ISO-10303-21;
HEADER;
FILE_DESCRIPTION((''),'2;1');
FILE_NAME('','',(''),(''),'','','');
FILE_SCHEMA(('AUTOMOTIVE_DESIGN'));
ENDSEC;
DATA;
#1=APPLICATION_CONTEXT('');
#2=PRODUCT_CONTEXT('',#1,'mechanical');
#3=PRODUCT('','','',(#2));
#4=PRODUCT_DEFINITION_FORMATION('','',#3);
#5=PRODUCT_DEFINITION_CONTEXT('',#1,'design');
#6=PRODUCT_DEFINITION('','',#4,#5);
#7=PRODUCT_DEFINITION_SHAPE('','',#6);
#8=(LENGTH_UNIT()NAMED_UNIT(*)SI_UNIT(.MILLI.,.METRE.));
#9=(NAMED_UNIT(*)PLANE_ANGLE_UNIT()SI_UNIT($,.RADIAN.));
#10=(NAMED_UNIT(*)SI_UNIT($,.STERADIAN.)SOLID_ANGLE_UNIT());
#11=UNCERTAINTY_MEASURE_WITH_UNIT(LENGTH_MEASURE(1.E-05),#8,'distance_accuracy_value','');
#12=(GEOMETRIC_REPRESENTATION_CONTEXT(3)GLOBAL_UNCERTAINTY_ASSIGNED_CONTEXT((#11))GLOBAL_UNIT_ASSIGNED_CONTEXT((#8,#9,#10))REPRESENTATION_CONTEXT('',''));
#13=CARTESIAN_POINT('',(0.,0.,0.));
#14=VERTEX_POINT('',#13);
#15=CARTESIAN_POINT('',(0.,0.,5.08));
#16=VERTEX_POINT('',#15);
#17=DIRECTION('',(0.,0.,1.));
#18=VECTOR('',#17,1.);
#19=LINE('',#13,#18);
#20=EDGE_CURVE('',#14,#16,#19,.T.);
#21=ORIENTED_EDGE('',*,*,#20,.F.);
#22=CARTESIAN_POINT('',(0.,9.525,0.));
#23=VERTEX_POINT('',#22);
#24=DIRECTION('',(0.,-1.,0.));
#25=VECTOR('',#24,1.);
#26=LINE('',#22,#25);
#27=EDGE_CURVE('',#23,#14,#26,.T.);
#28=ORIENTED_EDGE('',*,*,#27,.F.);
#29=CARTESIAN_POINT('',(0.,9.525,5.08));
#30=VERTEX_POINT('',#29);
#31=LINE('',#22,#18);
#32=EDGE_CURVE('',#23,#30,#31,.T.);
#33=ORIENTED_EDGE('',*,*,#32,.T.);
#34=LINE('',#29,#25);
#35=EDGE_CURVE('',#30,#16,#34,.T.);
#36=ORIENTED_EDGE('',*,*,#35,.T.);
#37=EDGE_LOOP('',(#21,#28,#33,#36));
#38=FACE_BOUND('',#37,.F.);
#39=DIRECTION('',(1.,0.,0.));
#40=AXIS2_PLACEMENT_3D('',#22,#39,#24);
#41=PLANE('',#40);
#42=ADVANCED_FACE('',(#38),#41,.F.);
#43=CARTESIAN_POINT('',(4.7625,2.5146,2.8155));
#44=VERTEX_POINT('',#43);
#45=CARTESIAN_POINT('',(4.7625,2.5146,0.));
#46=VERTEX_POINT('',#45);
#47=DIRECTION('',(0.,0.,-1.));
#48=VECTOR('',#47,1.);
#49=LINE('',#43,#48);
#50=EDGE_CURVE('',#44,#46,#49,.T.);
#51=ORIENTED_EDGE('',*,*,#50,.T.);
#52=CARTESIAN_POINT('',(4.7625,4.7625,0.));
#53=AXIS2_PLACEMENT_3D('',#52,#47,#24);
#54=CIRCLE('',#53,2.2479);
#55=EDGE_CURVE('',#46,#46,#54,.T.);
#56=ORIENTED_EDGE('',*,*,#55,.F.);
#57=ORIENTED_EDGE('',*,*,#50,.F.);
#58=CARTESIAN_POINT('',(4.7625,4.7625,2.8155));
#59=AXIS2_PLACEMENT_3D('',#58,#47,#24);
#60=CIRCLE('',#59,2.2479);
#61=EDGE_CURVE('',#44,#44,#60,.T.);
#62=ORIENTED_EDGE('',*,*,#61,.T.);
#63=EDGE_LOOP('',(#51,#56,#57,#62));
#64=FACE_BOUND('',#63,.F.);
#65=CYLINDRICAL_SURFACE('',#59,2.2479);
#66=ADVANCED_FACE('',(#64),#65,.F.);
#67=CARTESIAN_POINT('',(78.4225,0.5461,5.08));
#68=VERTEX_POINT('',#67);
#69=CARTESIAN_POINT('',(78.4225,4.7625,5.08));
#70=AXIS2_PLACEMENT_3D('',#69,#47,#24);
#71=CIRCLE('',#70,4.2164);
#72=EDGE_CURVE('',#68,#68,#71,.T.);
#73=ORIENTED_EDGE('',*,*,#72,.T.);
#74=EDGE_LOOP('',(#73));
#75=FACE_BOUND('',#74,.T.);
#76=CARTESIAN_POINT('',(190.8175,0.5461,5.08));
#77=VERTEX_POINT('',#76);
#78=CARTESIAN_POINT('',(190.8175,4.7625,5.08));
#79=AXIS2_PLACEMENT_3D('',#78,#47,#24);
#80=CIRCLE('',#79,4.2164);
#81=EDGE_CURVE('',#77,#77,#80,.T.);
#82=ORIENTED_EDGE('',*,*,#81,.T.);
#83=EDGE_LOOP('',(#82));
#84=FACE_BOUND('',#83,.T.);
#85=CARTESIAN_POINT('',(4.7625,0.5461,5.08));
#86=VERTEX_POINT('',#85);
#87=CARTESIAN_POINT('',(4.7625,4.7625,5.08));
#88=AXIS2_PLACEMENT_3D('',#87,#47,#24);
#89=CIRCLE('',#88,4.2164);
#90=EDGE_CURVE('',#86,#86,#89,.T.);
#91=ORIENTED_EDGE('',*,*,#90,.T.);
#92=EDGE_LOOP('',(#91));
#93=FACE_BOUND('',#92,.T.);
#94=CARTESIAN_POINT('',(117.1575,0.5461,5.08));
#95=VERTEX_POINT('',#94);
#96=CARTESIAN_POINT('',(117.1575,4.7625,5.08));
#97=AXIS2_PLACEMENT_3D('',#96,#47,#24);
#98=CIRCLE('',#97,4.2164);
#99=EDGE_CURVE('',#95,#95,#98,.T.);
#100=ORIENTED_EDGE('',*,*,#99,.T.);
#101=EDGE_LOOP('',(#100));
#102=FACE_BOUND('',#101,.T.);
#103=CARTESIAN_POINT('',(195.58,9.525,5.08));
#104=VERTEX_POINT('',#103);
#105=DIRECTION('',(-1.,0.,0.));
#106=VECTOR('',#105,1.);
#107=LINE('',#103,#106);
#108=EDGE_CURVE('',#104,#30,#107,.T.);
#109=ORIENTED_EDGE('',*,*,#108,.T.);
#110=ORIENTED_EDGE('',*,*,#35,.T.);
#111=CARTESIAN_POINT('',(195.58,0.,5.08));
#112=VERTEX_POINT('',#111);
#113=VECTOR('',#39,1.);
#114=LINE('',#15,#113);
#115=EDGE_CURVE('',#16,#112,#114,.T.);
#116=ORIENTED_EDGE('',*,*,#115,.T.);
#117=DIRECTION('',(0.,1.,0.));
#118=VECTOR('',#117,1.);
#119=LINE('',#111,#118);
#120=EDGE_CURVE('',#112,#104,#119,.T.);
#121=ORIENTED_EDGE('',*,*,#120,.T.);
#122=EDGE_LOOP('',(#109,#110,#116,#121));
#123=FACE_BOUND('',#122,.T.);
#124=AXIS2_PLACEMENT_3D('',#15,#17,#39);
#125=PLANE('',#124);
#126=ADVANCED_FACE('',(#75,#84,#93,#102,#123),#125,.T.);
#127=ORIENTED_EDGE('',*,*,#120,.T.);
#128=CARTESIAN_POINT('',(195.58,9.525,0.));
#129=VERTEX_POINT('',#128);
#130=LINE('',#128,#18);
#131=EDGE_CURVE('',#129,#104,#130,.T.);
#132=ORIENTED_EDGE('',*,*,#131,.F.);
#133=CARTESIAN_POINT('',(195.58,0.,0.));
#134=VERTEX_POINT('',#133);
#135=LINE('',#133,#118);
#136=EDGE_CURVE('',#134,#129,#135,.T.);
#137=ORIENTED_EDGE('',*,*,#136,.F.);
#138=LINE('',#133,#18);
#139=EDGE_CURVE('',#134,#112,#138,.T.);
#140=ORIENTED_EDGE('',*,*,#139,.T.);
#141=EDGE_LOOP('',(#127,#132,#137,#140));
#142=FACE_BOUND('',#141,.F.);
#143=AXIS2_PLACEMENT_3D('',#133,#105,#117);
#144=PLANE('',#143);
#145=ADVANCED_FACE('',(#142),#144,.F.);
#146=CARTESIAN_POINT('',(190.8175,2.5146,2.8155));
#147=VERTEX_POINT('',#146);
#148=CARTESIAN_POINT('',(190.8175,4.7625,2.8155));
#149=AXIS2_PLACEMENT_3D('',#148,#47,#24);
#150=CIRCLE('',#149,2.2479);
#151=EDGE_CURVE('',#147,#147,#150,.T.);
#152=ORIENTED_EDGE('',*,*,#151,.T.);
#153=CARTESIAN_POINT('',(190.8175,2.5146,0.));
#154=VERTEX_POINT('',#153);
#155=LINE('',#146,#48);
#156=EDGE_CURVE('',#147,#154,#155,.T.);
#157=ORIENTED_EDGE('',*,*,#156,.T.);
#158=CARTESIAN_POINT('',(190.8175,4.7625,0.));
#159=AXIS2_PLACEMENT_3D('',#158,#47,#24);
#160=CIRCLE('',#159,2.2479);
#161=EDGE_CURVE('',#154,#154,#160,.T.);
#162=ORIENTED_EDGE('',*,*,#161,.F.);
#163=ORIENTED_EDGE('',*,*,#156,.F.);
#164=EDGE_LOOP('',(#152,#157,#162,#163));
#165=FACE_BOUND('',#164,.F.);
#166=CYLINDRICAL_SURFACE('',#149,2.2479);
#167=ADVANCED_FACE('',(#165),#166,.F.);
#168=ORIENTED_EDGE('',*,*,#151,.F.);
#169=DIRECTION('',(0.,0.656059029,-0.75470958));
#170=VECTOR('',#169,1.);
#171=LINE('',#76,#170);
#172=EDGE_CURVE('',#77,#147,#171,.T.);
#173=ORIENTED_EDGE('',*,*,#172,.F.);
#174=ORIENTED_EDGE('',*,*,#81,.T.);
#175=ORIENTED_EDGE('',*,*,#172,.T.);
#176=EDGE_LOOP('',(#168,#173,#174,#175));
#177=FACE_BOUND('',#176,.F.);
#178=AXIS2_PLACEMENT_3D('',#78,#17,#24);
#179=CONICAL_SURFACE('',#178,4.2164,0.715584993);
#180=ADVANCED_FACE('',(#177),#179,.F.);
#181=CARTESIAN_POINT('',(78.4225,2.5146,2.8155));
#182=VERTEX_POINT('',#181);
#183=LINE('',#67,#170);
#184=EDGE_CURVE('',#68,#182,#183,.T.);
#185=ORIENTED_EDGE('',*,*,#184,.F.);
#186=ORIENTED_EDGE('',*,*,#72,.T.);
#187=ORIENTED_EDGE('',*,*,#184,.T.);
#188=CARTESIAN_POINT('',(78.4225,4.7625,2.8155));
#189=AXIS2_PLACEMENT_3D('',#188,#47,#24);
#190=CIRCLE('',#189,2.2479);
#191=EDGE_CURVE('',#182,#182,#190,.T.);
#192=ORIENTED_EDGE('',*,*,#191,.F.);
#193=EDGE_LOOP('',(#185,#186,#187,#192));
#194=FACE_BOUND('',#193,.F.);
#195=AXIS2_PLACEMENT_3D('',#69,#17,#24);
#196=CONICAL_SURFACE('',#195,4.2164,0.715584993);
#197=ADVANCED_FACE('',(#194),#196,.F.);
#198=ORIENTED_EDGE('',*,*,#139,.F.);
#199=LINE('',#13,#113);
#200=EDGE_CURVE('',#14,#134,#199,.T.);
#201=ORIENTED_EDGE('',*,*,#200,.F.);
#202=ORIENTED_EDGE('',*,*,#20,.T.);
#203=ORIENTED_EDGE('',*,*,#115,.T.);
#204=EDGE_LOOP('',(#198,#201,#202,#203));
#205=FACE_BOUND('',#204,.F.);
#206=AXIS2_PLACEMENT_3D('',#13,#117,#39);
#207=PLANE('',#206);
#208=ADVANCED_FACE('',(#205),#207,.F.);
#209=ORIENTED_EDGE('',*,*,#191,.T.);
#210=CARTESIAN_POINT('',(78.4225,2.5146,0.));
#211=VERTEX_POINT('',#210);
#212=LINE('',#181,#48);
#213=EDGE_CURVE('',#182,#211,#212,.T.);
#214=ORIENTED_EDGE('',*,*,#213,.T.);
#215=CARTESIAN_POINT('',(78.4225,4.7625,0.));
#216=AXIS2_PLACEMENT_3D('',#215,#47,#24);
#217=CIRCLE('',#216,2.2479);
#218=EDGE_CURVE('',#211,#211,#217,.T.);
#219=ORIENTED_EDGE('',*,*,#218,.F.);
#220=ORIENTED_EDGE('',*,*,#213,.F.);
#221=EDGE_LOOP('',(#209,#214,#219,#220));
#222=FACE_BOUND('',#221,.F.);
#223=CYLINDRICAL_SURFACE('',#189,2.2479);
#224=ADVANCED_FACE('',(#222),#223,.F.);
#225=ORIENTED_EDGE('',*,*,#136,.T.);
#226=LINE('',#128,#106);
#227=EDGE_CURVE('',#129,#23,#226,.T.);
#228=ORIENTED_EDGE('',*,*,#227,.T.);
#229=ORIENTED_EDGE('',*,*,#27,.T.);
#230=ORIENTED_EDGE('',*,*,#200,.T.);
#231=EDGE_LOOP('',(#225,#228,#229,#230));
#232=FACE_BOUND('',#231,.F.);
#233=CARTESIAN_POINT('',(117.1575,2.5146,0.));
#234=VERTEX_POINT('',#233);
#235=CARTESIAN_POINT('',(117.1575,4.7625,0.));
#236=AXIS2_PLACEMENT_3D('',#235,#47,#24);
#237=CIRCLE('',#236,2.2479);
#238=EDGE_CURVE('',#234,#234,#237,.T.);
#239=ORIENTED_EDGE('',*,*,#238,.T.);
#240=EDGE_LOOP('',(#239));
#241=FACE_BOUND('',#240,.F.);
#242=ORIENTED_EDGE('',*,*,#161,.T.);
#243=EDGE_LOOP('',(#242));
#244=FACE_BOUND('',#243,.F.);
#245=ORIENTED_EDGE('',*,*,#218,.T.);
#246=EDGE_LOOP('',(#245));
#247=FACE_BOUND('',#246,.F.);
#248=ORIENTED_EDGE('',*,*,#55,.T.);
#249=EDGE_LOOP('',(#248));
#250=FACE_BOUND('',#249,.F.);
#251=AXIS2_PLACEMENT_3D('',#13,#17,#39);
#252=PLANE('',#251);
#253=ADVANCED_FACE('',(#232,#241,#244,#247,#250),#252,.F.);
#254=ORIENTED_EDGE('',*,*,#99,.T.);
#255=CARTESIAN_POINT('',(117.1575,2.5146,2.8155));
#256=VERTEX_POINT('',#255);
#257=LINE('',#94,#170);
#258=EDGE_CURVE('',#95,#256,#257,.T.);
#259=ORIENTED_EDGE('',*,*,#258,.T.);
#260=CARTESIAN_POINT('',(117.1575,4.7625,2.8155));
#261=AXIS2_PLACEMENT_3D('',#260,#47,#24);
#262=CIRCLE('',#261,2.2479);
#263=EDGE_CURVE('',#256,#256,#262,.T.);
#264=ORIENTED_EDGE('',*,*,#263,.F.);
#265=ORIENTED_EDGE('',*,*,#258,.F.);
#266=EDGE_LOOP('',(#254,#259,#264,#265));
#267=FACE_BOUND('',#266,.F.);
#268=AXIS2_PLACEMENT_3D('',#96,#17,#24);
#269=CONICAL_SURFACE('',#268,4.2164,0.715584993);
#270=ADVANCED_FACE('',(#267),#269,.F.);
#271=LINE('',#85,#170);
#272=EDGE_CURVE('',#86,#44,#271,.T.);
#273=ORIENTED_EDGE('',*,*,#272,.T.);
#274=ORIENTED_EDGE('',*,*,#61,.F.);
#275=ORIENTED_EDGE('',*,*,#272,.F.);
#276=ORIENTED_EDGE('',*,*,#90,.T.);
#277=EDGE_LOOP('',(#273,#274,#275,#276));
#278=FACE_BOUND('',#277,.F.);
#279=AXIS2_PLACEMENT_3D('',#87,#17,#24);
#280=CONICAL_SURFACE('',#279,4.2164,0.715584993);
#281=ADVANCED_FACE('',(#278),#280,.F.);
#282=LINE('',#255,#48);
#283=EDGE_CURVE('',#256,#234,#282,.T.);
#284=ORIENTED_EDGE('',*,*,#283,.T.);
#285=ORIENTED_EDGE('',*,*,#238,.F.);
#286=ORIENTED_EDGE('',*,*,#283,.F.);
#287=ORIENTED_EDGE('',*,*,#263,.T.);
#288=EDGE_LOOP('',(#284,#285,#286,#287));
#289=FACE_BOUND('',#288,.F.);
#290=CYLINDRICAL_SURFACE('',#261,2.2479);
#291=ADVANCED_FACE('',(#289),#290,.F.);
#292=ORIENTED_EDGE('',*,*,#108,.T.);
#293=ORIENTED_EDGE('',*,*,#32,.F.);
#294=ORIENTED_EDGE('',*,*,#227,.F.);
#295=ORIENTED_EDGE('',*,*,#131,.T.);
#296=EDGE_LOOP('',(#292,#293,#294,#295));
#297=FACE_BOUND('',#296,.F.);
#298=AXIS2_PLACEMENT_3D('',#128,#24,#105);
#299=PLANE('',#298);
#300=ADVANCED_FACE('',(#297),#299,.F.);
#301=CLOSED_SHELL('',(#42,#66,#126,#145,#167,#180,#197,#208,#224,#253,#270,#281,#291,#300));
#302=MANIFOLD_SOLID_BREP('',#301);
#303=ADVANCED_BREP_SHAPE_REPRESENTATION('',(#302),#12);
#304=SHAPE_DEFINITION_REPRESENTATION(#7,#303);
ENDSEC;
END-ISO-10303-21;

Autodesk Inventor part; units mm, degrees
ref_plane "YZ Plane" through (0, 0, 0) normal (1, 0, 0) x (0, 1, 0)
ref_plane "XZ Plane" through (0, 0, 0) normal (0, 1, 0) x (-1, 0, 0)
ref_plane "XY Plane" through (0, 0, 0) normal (0, 0, 1) x (1, 0, 0)
sketch "Sketch1" plane through (0, 0, 0) normal (0, 0, 1) x (1, 0, 0)
  line L0 (0, 0) -> (195.58, 0)
  line L1 (195.58, 0) -> (195.58, 9.525)
  line L2 (195.58, 9.525) -> (0, 9.525)
  line L3 (0, 9.525) -> (0, 0)
  dimension "d0" = 195.58
  dimension "d1" = 9.525
extrude "Extrusion1" add sketch "Sketch1" along normal blind 5.08
sketch "Sketch2" plane through (0, 0, 5.08) normal (0, 0, 1) x (1, 0, 0)
  line L0 (195.58, 0) -> (0, 0) projected
  line L1 (0, 9.525) -> (195.58, 9.525) projected
  line L2 (0, 36.0407) -> (9.525, 36.0407) projected
  line L3 (0, -27.6521) -> (0, 36.0407) projected
  line L4 (9.525, -27.6521) -> (0, -27.6521) projected
  line L5 (9.525, 36.0407) -> (9.525, -27.6521) projected
  line L6 (195.58, -24.7204) -> (195.58, 5.4842) projected
  line L7 (195.58, -24.7204) -> (186.055, -24.7204) projected
  line L8 (186.055, 5.4842) -> (186.055, -24.7204) projected
  line L9 (186.055, 5.4842) -> (195.58, 5.4842) projected
  line L10 (83.185, 2.2202) -> (73.66, 2.2202) projected
  line L11 (73.66, 2.2202) -> (73.66, -16.2449) projected
  line L12 (83.185, -16.2449) -> (73.66, -16.2449) projected
  line L13 (83.185, -16.2449) -> (83.185, 2.2202) projected
  line L14 (112.395, 2.2202) -> (121.92, 2.2202) projected
  line L15 (112.395, -16.2449) -> (112.395, 2.2202) projected
  line L16 (112.395, -16.2449) -> (121.92, -16.2449) projected
  line L17 (121.92, 2.2202) -> (121.92, -16.2449) projected
  line L18 (9.525, 0) -> (0, 0)
  line L19 (0, 0) -> (0, 9.525)
  line L20 (0, 9.525) -> (9.525, 9.525)
  line L21 (9.525, 9.525) -> (9.525, 0)
  line L22 (73.66, 0) -> (83.185, 0)
  line L23 (83.185, 0) -> (83.185, 9.525)
  line L24 (83.185, 9.525) -> (73.66, 9.525)
  line L25 (73.66, 9.525) -> (73.66, 0)
  line L26 (112.395, 0) -> (121.92, 0)
  line L27 (121.92, 0) -> (121.92, 9.525)
  line L28 (121.92, 9.525) -> (112.395, 9.525)
  line L29 (112.395, 9.525) -> (112.395, 0)
  line L30 (186.055, 0) -> (195.58, 0)
  line L31 (195.58, 0) -> (195.58, 9.525)
  line L32 (195.58, 9.525) -> (186.055, 9.525)
  line L33 (186.055, 9.525) -> (186.055, 0)
  point P0 (4.7625, 4.7625)
  point P1 (78.4225, 4.7625)
  point P2 (117.1575, 4.7625)
  point P3 (190.8175, 4.7625)
hole "Hole1" at (4.7625, 4.7625, 5.08) at (78.4225, 4.7625, 5.08) at (117.1575, 4.7625, 5.08) at (190.8175, 4.7625, 5.08) direction (0, 0, -1) diameter 4.4958 end through all countersink diameter 8.4328 countersink angle 82 clearance for "Flat Head Machine Screw (82)" size "#8" standard "Ansi Unified Screw Threads"
properties part number "Protector" material "Aluminum-6061"
